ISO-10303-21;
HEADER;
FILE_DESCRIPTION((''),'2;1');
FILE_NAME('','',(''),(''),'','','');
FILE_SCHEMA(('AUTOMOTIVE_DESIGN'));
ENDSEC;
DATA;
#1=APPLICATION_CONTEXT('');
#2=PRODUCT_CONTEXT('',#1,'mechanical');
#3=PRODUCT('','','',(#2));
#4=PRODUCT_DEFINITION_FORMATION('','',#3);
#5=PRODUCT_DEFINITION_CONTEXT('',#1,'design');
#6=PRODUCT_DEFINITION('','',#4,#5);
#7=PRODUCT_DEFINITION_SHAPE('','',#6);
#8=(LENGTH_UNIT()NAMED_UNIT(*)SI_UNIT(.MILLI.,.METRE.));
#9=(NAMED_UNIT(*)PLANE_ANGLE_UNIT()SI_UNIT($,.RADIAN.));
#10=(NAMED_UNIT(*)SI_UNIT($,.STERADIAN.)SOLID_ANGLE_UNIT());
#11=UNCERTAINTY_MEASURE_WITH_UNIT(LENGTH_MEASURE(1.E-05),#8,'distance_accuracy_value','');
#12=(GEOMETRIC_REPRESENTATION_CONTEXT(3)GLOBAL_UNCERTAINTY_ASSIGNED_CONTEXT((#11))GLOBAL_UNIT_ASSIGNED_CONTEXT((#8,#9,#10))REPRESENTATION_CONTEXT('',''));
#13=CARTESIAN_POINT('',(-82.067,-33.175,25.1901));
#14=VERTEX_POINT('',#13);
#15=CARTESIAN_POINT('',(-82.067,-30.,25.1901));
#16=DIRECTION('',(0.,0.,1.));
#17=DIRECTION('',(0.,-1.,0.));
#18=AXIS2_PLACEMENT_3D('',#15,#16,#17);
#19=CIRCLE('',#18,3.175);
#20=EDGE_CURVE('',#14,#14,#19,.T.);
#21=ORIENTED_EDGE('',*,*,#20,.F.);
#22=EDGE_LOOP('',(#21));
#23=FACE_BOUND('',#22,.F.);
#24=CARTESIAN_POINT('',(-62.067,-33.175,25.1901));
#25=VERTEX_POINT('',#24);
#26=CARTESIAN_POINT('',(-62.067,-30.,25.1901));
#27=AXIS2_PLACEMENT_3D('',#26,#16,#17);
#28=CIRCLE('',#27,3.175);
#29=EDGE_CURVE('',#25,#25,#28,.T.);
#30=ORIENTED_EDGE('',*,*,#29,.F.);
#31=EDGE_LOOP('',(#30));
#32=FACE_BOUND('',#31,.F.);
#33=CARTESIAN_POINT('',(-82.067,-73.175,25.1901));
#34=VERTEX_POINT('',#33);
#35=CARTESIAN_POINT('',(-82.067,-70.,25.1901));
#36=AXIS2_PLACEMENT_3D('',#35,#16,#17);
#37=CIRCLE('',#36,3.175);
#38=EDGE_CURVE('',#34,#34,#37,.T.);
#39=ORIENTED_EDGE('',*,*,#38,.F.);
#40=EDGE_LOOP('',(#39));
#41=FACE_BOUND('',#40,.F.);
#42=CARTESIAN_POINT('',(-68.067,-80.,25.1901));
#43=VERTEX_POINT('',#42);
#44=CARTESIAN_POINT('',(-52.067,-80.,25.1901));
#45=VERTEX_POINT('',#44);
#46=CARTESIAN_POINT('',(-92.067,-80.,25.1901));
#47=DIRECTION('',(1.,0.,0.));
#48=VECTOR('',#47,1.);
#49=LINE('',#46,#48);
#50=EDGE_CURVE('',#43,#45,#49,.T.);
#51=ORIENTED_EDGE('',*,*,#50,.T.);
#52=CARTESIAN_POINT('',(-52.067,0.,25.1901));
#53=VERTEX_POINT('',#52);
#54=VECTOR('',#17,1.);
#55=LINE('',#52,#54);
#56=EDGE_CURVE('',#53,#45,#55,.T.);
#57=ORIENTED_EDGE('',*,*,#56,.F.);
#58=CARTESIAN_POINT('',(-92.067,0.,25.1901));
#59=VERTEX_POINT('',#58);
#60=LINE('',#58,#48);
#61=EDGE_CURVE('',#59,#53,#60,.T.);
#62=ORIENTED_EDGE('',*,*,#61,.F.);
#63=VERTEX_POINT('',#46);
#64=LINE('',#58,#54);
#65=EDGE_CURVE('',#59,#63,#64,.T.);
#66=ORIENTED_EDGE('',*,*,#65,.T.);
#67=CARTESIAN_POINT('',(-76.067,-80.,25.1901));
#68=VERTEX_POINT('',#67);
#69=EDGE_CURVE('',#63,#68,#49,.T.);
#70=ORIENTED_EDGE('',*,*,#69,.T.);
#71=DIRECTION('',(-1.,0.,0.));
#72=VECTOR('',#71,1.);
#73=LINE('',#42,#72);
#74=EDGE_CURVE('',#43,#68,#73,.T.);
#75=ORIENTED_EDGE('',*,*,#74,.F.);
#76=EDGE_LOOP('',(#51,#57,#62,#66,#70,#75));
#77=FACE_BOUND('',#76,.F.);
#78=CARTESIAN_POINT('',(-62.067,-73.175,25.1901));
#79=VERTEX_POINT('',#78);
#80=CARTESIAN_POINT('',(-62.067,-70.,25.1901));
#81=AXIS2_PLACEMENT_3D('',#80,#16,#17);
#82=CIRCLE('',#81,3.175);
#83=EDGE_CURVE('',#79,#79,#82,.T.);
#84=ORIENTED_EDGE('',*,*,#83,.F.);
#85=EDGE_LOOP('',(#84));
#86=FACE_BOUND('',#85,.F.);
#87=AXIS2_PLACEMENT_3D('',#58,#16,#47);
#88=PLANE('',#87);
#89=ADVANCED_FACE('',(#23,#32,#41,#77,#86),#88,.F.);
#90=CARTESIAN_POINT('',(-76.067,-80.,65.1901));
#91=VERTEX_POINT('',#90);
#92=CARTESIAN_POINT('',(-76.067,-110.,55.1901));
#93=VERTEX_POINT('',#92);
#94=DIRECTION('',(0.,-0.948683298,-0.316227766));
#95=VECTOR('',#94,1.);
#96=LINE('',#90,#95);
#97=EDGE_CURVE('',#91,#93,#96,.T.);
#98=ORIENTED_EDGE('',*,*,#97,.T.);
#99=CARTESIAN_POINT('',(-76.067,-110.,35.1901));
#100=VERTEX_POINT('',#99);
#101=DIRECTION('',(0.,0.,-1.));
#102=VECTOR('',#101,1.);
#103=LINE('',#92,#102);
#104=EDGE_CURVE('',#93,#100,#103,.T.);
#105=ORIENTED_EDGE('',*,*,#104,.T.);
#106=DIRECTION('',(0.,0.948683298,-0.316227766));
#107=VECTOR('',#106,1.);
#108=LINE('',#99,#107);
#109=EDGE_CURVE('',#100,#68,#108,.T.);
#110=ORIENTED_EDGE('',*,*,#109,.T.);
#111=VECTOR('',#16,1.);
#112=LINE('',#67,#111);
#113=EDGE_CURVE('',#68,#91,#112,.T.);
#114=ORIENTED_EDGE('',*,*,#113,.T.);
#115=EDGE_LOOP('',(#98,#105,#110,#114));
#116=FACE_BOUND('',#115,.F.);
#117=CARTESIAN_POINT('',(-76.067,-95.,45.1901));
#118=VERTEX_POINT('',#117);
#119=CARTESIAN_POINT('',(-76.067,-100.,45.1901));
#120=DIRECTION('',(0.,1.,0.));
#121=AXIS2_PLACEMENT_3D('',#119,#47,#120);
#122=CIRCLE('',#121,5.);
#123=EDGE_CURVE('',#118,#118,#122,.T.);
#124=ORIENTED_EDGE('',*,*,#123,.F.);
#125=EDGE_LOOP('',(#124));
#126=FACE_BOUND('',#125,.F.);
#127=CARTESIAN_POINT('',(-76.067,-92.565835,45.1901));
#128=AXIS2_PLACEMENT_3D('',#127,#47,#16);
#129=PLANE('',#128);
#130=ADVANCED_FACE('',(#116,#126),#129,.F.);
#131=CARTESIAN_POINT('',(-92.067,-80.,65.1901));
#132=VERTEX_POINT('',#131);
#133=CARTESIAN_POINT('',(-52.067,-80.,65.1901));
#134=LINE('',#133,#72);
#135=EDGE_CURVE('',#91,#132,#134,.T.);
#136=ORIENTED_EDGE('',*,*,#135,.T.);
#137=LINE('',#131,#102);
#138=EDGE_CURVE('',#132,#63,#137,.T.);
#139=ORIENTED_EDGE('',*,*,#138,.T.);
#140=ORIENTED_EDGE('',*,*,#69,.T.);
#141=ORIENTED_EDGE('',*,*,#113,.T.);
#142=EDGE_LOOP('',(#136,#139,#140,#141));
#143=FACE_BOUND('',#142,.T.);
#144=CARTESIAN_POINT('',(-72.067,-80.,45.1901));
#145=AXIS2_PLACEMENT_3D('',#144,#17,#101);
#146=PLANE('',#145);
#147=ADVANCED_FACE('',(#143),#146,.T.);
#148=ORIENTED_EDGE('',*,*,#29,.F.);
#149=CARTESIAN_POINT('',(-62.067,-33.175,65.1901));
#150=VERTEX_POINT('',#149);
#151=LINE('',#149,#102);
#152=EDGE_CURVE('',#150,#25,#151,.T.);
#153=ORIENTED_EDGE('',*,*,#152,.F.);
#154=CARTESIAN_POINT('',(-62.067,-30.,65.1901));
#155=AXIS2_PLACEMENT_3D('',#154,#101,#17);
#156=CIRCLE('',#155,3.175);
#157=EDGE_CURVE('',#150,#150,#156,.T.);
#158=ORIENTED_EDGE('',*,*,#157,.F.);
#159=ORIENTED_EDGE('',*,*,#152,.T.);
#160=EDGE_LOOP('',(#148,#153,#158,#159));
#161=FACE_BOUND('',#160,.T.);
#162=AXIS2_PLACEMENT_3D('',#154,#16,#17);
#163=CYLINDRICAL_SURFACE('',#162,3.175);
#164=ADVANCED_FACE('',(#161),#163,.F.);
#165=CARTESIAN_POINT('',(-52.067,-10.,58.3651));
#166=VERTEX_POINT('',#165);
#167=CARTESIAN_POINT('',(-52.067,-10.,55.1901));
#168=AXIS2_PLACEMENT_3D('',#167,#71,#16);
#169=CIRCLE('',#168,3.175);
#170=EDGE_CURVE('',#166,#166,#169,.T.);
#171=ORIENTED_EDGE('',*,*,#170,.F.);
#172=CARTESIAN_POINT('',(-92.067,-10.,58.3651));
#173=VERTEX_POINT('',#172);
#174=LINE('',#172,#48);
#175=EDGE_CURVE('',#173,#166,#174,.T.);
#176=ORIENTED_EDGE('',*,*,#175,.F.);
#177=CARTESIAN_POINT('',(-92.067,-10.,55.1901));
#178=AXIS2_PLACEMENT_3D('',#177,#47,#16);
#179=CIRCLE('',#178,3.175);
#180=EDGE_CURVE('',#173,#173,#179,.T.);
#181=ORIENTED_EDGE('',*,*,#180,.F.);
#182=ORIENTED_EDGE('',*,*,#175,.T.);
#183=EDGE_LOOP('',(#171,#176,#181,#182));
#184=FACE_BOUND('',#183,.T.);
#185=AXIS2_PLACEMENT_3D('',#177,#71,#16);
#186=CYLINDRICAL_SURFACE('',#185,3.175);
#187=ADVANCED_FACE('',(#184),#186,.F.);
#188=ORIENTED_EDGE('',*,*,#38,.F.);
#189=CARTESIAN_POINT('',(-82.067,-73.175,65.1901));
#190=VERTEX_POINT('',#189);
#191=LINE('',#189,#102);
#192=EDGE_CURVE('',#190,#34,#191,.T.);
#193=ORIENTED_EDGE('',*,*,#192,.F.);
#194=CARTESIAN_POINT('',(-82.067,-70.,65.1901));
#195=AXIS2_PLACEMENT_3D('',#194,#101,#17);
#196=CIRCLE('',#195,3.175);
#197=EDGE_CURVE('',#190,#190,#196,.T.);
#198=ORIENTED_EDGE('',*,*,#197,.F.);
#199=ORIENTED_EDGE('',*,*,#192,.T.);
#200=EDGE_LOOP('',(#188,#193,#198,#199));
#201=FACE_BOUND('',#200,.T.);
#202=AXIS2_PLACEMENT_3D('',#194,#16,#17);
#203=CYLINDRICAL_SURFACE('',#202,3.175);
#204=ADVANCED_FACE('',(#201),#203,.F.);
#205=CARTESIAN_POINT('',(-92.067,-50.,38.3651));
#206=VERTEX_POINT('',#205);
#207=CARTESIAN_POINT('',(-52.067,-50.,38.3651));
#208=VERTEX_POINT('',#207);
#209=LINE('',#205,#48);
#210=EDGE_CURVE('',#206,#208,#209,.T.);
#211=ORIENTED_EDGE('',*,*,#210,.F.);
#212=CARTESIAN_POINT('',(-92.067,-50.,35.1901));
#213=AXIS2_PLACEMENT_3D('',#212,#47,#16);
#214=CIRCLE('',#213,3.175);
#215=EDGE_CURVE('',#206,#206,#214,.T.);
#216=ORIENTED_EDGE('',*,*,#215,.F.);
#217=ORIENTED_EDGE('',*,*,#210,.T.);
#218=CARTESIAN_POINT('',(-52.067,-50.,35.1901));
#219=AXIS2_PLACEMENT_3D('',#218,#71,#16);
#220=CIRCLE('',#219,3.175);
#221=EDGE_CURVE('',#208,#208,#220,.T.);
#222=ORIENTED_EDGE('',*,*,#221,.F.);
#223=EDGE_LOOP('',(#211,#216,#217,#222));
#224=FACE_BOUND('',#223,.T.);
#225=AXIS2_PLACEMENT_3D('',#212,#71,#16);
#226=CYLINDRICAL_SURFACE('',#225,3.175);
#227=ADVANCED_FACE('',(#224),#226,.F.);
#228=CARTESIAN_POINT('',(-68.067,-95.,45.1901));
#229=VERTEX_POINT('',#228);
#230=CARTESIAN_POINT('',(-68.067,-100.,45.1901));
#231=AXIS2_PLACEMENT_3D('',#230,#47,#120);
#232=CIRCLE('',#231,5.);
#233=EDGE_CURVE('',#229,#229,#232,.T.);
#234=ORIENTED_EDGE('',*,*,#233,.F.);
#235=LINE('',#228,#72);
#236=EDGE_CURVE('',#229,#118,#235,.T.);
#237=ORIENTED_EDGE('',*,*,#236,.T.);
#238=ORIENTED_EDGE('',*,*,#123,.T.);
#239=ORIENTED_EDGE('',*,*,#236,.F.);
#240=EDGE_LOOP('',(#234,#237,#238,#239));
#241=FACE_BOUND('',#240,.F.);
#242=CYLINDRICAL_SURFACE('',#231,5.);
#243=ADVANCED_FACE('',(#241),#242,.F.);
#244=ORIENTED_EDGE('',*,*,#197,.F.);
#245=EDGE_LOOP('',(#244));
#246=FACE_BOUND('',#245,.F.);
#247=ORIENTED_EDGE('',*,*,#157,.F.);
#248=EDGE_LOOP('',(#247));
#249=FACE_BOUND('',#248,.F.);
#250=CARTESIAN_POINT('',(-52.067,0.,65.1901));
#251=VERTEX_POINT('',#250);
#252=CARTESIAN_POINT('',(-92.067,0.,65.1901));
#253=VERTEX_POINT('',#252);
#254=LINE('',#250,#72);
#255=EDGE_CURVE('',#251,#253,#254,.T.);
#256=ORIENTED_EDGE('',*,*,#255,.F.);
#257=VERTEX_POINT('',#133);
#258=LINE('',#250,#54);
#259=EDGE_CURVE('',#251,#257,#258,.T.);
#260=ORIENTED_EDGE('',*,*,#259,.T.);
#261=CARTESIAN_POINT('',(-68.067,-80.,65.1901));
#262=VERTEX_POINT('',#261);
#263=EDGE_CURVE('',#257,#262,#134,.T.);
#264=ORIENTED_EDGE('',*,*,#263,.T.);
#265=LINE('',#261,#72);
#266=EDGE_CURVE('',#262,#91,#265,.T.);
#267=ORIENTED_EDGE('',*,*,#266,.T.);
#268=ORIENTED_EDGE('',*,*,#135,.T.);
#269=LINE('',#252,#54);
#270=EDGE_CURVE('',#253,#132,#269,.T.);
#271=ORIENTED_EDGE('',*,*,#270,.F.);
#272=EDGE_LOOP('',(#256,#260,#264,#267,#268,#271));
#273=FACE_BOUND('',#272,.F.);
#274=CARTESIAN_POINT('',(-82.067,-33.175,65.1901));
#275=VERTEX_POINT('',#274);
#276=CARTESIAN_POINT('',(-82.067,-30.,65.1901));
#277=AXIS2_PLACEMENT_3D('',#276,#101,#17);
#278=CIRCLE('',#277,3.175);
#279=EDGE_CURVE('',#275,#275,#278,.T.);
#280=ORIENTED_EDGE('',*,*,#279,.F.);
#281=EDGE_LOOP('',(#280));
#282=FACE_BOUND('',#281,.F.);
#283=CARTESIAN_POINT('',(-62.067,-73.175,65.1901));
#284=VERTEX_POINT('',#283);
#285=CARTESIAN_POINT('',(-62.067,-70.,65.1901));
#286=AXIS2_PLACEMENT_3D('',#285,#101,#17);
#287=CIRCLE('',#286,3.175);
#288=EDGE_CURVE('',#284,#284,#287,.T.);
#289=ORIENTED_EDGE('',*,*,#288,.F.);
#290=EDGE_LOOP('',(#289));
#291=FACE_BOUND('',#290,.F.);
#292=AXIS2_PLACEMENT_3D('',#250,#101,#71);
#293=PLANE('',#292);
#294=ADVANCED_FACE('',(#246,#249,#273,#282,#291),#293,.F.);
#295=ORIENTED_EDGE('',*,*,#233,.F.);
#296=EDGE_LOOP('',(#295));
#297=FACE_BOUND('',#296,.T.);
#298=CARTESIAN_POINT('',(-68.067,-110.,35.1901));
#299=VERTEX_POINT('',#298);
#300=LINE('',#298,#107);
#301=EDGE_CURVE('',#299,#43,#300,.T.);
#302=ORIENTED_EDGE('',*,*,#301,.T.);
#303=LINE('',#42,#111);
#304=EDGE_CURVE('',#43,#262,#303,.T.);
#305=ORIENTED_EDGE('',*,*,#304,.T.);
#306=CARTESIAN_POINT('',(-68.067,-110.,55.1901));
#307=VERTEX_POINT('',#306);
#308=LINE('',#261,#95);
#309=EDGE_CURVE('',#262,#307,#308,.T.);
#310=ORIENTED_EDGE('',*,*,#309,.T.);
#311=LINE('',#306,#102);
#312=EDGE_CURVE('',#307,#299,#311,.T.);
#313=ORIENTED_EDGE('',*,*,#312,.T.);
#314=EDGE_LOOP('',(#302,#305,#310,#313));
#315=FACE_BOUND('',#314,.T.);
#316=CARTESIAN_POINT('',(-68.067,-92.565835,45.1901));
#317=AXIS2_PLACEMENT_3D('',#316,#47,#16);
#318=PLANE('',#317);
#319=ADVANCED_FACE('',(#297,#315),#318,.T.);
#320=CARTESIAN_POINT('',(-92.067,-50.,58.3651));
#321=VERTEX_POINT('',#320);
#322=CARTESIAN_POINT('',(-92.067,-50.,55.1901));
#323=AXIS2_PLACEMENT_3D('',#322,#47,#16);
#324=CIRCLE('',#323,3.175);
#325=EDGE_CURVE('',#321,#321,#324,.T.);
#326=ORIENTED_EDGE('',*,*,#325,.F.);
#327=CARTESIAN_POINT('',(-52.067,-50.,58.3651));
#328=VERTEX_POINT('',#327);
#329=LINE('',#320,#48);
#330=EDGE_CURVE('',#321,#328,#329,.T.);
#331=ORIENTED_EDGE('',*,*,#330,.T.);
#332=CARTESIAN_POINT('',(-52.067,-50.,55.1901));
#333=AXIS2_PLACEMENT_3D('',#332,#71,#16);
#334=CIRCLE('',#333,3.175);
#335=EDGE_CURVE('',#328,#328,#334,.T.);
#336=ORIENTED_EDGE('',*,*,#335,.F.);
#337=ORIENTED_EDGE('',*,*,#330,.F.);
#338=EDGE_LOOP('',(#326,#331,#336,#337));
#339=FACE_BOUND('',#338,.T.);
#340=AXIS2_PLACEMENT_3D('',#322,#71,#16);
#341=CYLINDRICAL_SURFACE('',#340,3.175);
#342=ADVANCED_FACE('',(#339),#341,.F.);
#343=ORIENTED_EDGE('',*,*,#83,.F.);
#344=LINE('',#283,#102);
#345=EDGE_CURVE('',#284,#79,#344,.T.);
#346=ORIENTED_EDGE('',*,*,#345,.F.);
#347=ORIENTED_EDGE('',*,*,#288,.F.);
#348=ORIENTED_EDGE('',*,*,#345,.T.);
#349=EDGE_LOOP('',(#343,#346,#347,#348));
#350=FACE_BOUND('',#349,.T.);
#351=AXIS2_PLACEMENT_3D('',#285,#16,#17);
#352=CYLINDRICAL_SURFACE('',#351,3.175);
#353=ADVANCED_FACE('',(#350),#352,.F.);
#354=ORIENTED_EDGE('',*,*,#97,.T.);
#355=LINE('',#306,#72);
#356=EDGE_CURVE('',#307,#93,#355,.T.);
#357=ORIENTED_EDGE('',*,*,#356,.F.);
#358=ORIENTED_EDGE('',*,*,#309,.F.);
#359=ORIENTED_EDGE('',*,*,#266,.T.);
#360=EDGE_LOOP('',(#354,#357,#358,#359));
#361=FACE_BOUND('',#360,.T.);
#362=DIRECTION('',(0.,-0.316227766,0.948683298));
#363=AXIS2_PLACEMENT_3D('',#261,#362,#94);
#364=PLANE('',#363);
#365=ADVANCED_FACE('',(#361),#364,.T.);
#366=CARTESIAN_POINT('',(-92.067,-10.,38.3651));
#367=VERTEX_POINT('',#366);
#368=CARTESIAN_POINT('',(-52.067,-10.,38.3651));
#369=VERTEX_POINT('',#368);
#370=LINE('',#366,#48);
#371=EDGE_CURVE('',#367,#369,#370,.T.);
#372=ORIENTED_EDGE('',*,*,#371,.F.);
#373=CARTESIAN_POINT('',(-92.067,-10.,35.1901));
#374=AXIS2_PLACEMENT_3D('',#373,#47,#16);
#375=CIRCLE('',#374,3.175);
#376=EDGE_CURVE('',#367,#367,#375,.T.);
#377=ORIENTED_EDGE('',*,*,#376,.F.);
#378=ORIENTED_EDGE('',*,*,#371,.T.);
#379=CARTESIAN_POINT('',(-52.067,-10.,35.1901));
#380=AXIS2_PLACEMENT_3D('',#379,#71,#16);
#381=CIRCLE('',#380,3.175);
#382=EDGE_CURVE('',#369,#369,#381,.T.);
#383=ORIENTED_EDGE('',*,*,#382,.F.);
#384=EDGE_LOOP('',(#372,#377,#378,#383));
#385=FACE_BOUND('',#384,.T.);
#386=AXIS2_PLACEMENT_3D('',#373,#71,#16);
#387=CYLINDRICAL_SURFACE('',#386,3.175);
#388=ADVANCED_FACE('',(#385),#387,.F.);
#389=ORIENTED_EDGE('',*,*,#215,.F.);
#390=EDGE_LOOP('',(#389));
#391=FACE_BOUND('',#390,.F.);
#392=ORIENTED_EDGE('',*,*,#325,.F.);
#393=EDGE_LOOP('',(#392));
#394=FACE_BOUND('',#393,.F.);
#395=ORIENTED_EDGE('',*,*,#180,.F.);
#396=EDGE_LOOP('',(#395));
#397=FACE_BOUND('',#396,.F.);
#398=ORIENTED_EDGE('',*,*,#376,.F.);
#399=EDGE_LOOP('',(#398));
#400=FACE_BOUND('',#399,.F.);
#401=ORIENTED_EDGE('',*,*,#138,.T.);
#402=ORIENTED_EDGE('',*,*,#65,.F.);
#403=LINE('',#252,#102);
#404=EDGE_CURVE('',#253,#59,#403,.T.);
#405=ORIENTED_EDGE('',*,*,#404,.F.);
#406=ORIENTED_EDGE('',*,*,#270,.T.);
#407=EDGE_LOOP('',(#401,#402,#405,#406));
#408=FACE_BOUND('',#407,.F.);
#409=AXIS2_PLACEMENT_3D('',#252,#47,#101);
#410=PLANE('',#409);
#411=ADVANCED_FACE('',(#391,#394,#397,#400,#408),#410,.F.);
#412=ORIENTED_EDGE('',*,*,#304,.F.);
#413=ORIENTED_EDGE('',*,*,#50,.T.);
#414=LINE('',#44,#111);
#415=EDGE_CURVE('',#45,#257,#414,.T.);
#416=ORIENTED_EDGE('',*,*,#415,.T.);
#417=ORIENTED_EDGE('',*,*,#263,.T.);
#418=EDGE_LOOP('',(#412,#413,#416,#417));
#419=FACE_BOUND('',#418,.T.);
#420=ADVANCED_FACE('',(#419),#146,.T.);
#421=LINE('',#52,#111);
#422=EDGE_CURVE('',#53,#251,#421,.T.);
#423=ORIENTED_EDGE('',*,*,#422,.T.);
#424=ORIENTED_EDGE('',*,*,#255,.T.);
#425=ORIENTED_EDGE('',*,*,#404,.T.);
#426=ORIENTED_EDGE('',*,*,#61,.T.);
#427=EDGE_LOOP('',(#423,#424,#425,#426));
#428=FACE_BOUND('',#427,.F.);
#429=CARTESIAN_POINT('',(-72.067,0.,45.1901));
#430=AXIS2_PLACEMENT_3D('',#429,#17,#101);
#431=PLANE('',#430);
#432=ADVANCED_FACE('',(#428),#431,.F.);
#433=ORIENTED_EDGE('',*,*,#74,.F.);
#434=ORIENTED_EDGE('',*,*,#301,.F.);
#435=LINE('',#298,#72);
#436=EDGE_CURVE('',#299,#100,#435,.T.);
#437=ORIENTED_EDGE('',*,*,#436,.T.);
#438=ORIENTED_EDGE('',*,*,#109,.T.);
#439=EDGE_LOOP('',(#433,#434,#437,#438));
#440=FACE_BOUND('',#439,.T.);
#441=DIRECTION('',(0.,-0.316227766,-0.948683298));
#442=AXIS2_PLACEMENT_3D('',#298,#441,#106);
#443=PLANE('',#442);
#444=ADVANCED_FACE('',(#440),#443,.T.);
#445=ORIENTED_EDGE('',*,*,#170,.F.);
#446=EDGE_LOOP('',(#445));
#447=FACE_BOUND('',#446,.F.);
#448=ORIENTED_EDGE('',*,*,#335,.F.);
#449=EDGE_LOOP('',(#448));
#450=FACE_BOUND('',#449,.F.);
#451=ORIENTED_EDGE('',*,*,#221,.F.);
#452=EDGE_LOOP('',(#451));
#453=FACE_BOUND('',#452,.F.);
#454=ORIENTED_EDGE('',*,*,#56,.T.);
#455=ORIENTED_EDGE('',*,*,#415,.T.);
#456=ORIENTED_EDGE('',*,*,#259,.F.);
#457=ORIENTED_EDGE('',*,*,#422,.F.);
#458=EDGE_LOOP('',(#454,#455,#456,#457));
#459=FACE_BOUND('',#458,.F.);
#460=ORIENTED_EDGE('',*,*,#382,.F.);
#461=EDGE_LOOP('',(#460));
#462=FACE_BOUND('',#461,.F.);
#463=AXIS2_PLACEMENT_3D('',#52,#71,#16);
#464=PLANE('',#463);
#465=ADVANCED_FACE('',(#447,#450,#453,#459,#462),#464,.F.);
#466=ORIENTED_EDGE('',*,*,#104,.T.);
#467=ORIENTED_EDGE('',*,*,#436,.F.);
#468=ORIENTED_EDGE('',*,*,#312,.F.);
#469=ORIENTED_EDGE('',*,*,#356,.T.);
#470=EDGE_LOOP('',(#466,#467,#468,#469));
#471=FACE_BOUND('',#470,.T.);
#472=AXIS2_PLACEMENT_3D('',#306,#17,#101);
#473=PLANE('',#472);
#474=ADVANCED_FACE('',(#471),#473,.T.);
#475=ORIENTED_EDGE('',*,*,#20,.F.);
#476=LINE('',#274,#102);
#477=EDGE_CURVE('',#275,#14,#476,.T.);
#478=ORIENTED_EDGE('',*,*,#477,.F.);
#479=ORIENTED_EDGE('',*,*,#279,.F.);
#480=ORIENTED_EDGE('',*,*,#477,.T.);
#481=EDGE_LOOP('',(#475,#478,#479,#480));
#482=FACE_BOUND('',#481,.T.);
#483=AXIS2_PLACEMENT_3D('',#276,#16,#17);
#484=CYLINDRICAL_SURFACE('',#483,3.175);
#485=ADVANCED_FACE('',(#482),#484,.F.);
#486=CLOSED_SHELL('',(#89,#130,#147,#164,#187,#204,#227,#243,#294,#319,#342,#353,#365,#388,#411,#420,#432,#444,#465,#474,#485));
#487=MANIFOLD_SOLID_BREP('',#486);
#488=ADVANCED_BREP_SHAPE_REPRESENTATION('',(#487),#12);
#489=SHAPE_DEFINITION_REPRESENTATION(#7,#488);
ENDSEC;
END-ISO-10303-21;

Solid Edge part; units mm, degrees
sketch "Sketch1" plane through (0, 0, 0) normal (0, -1, 0) x (1, 0, 0)
  line L0 (-92.067, 25.1901) -> (-52.067, 25.1901)
  line L1 (-52.067, 25.1901) -> (-52.067, 65.1901)
  line L2 (-52.067, 65.1901) -> (-92.067, 65.1901)
  line L3 (-92.067, 65.1901) -> (-92.067, 25.1901)
  dimension "D1" = 40
  dimension "D2" = 40
extrude "Protrusion1" add sketch "Sketch1" along normal blind 80
sketch "Sketch2" plane through (-68.067, -75, 45.1901) normal (1, 0, 0) x (0, 1, 0)
  circle A0 centre (-25, 0) radius 5
  line L0 (-5, 20) -> (-35, 10)
  line L1 (-35, 10) -> (-35, -10)
  line L2 (-35, -10) -> (-5, -20)
  line L3 (-5, -20) -> (-5, 20)
  dimension "D1" = 10
  dimension "D2" = 20
  dimension "D3" = 10
  dimension "D4" = 30
extrude "ExtrudedProtrusion_2" add sketch "Sketch2" against normal blind 8
hole "Hole_1" at (-92.067, -50, 55.1901) direction (1, 0, 0) diameter 6.35 end up to next
hole "Hole1" at (-92.067, -10, 35.1901) direction (1, 0, 0) diameter 6.35 end up to next
hole "Hole2" at (-92.067, -50, 35.1901) direction (1, 0, 0) diameter 6.35 end up to next
hole "Hole3" at (-92.067, -10, 55.1901) direction (1, 0, 0) diameter 6.35 end up to next
hole "Hole_5" at (-62.067, -30, 65.1901) direction (0, 0, -1) diameter 6.35 end up to next
hole "Hole4" at (-82.067, -30, 65.1901) direction (0, 0, -1) diameter 6.35 end up to next
hole "Hole5" at (-82.067, -70, 65.1901) direction (0, 0, -1) diameter 6.35 end up to next
hole "Hole6" at (-62.067, -70, 65.1901) direction (0, 0, -1) diameter 6.35 end up to next
properties material "Aluminum, 6061-T6"
